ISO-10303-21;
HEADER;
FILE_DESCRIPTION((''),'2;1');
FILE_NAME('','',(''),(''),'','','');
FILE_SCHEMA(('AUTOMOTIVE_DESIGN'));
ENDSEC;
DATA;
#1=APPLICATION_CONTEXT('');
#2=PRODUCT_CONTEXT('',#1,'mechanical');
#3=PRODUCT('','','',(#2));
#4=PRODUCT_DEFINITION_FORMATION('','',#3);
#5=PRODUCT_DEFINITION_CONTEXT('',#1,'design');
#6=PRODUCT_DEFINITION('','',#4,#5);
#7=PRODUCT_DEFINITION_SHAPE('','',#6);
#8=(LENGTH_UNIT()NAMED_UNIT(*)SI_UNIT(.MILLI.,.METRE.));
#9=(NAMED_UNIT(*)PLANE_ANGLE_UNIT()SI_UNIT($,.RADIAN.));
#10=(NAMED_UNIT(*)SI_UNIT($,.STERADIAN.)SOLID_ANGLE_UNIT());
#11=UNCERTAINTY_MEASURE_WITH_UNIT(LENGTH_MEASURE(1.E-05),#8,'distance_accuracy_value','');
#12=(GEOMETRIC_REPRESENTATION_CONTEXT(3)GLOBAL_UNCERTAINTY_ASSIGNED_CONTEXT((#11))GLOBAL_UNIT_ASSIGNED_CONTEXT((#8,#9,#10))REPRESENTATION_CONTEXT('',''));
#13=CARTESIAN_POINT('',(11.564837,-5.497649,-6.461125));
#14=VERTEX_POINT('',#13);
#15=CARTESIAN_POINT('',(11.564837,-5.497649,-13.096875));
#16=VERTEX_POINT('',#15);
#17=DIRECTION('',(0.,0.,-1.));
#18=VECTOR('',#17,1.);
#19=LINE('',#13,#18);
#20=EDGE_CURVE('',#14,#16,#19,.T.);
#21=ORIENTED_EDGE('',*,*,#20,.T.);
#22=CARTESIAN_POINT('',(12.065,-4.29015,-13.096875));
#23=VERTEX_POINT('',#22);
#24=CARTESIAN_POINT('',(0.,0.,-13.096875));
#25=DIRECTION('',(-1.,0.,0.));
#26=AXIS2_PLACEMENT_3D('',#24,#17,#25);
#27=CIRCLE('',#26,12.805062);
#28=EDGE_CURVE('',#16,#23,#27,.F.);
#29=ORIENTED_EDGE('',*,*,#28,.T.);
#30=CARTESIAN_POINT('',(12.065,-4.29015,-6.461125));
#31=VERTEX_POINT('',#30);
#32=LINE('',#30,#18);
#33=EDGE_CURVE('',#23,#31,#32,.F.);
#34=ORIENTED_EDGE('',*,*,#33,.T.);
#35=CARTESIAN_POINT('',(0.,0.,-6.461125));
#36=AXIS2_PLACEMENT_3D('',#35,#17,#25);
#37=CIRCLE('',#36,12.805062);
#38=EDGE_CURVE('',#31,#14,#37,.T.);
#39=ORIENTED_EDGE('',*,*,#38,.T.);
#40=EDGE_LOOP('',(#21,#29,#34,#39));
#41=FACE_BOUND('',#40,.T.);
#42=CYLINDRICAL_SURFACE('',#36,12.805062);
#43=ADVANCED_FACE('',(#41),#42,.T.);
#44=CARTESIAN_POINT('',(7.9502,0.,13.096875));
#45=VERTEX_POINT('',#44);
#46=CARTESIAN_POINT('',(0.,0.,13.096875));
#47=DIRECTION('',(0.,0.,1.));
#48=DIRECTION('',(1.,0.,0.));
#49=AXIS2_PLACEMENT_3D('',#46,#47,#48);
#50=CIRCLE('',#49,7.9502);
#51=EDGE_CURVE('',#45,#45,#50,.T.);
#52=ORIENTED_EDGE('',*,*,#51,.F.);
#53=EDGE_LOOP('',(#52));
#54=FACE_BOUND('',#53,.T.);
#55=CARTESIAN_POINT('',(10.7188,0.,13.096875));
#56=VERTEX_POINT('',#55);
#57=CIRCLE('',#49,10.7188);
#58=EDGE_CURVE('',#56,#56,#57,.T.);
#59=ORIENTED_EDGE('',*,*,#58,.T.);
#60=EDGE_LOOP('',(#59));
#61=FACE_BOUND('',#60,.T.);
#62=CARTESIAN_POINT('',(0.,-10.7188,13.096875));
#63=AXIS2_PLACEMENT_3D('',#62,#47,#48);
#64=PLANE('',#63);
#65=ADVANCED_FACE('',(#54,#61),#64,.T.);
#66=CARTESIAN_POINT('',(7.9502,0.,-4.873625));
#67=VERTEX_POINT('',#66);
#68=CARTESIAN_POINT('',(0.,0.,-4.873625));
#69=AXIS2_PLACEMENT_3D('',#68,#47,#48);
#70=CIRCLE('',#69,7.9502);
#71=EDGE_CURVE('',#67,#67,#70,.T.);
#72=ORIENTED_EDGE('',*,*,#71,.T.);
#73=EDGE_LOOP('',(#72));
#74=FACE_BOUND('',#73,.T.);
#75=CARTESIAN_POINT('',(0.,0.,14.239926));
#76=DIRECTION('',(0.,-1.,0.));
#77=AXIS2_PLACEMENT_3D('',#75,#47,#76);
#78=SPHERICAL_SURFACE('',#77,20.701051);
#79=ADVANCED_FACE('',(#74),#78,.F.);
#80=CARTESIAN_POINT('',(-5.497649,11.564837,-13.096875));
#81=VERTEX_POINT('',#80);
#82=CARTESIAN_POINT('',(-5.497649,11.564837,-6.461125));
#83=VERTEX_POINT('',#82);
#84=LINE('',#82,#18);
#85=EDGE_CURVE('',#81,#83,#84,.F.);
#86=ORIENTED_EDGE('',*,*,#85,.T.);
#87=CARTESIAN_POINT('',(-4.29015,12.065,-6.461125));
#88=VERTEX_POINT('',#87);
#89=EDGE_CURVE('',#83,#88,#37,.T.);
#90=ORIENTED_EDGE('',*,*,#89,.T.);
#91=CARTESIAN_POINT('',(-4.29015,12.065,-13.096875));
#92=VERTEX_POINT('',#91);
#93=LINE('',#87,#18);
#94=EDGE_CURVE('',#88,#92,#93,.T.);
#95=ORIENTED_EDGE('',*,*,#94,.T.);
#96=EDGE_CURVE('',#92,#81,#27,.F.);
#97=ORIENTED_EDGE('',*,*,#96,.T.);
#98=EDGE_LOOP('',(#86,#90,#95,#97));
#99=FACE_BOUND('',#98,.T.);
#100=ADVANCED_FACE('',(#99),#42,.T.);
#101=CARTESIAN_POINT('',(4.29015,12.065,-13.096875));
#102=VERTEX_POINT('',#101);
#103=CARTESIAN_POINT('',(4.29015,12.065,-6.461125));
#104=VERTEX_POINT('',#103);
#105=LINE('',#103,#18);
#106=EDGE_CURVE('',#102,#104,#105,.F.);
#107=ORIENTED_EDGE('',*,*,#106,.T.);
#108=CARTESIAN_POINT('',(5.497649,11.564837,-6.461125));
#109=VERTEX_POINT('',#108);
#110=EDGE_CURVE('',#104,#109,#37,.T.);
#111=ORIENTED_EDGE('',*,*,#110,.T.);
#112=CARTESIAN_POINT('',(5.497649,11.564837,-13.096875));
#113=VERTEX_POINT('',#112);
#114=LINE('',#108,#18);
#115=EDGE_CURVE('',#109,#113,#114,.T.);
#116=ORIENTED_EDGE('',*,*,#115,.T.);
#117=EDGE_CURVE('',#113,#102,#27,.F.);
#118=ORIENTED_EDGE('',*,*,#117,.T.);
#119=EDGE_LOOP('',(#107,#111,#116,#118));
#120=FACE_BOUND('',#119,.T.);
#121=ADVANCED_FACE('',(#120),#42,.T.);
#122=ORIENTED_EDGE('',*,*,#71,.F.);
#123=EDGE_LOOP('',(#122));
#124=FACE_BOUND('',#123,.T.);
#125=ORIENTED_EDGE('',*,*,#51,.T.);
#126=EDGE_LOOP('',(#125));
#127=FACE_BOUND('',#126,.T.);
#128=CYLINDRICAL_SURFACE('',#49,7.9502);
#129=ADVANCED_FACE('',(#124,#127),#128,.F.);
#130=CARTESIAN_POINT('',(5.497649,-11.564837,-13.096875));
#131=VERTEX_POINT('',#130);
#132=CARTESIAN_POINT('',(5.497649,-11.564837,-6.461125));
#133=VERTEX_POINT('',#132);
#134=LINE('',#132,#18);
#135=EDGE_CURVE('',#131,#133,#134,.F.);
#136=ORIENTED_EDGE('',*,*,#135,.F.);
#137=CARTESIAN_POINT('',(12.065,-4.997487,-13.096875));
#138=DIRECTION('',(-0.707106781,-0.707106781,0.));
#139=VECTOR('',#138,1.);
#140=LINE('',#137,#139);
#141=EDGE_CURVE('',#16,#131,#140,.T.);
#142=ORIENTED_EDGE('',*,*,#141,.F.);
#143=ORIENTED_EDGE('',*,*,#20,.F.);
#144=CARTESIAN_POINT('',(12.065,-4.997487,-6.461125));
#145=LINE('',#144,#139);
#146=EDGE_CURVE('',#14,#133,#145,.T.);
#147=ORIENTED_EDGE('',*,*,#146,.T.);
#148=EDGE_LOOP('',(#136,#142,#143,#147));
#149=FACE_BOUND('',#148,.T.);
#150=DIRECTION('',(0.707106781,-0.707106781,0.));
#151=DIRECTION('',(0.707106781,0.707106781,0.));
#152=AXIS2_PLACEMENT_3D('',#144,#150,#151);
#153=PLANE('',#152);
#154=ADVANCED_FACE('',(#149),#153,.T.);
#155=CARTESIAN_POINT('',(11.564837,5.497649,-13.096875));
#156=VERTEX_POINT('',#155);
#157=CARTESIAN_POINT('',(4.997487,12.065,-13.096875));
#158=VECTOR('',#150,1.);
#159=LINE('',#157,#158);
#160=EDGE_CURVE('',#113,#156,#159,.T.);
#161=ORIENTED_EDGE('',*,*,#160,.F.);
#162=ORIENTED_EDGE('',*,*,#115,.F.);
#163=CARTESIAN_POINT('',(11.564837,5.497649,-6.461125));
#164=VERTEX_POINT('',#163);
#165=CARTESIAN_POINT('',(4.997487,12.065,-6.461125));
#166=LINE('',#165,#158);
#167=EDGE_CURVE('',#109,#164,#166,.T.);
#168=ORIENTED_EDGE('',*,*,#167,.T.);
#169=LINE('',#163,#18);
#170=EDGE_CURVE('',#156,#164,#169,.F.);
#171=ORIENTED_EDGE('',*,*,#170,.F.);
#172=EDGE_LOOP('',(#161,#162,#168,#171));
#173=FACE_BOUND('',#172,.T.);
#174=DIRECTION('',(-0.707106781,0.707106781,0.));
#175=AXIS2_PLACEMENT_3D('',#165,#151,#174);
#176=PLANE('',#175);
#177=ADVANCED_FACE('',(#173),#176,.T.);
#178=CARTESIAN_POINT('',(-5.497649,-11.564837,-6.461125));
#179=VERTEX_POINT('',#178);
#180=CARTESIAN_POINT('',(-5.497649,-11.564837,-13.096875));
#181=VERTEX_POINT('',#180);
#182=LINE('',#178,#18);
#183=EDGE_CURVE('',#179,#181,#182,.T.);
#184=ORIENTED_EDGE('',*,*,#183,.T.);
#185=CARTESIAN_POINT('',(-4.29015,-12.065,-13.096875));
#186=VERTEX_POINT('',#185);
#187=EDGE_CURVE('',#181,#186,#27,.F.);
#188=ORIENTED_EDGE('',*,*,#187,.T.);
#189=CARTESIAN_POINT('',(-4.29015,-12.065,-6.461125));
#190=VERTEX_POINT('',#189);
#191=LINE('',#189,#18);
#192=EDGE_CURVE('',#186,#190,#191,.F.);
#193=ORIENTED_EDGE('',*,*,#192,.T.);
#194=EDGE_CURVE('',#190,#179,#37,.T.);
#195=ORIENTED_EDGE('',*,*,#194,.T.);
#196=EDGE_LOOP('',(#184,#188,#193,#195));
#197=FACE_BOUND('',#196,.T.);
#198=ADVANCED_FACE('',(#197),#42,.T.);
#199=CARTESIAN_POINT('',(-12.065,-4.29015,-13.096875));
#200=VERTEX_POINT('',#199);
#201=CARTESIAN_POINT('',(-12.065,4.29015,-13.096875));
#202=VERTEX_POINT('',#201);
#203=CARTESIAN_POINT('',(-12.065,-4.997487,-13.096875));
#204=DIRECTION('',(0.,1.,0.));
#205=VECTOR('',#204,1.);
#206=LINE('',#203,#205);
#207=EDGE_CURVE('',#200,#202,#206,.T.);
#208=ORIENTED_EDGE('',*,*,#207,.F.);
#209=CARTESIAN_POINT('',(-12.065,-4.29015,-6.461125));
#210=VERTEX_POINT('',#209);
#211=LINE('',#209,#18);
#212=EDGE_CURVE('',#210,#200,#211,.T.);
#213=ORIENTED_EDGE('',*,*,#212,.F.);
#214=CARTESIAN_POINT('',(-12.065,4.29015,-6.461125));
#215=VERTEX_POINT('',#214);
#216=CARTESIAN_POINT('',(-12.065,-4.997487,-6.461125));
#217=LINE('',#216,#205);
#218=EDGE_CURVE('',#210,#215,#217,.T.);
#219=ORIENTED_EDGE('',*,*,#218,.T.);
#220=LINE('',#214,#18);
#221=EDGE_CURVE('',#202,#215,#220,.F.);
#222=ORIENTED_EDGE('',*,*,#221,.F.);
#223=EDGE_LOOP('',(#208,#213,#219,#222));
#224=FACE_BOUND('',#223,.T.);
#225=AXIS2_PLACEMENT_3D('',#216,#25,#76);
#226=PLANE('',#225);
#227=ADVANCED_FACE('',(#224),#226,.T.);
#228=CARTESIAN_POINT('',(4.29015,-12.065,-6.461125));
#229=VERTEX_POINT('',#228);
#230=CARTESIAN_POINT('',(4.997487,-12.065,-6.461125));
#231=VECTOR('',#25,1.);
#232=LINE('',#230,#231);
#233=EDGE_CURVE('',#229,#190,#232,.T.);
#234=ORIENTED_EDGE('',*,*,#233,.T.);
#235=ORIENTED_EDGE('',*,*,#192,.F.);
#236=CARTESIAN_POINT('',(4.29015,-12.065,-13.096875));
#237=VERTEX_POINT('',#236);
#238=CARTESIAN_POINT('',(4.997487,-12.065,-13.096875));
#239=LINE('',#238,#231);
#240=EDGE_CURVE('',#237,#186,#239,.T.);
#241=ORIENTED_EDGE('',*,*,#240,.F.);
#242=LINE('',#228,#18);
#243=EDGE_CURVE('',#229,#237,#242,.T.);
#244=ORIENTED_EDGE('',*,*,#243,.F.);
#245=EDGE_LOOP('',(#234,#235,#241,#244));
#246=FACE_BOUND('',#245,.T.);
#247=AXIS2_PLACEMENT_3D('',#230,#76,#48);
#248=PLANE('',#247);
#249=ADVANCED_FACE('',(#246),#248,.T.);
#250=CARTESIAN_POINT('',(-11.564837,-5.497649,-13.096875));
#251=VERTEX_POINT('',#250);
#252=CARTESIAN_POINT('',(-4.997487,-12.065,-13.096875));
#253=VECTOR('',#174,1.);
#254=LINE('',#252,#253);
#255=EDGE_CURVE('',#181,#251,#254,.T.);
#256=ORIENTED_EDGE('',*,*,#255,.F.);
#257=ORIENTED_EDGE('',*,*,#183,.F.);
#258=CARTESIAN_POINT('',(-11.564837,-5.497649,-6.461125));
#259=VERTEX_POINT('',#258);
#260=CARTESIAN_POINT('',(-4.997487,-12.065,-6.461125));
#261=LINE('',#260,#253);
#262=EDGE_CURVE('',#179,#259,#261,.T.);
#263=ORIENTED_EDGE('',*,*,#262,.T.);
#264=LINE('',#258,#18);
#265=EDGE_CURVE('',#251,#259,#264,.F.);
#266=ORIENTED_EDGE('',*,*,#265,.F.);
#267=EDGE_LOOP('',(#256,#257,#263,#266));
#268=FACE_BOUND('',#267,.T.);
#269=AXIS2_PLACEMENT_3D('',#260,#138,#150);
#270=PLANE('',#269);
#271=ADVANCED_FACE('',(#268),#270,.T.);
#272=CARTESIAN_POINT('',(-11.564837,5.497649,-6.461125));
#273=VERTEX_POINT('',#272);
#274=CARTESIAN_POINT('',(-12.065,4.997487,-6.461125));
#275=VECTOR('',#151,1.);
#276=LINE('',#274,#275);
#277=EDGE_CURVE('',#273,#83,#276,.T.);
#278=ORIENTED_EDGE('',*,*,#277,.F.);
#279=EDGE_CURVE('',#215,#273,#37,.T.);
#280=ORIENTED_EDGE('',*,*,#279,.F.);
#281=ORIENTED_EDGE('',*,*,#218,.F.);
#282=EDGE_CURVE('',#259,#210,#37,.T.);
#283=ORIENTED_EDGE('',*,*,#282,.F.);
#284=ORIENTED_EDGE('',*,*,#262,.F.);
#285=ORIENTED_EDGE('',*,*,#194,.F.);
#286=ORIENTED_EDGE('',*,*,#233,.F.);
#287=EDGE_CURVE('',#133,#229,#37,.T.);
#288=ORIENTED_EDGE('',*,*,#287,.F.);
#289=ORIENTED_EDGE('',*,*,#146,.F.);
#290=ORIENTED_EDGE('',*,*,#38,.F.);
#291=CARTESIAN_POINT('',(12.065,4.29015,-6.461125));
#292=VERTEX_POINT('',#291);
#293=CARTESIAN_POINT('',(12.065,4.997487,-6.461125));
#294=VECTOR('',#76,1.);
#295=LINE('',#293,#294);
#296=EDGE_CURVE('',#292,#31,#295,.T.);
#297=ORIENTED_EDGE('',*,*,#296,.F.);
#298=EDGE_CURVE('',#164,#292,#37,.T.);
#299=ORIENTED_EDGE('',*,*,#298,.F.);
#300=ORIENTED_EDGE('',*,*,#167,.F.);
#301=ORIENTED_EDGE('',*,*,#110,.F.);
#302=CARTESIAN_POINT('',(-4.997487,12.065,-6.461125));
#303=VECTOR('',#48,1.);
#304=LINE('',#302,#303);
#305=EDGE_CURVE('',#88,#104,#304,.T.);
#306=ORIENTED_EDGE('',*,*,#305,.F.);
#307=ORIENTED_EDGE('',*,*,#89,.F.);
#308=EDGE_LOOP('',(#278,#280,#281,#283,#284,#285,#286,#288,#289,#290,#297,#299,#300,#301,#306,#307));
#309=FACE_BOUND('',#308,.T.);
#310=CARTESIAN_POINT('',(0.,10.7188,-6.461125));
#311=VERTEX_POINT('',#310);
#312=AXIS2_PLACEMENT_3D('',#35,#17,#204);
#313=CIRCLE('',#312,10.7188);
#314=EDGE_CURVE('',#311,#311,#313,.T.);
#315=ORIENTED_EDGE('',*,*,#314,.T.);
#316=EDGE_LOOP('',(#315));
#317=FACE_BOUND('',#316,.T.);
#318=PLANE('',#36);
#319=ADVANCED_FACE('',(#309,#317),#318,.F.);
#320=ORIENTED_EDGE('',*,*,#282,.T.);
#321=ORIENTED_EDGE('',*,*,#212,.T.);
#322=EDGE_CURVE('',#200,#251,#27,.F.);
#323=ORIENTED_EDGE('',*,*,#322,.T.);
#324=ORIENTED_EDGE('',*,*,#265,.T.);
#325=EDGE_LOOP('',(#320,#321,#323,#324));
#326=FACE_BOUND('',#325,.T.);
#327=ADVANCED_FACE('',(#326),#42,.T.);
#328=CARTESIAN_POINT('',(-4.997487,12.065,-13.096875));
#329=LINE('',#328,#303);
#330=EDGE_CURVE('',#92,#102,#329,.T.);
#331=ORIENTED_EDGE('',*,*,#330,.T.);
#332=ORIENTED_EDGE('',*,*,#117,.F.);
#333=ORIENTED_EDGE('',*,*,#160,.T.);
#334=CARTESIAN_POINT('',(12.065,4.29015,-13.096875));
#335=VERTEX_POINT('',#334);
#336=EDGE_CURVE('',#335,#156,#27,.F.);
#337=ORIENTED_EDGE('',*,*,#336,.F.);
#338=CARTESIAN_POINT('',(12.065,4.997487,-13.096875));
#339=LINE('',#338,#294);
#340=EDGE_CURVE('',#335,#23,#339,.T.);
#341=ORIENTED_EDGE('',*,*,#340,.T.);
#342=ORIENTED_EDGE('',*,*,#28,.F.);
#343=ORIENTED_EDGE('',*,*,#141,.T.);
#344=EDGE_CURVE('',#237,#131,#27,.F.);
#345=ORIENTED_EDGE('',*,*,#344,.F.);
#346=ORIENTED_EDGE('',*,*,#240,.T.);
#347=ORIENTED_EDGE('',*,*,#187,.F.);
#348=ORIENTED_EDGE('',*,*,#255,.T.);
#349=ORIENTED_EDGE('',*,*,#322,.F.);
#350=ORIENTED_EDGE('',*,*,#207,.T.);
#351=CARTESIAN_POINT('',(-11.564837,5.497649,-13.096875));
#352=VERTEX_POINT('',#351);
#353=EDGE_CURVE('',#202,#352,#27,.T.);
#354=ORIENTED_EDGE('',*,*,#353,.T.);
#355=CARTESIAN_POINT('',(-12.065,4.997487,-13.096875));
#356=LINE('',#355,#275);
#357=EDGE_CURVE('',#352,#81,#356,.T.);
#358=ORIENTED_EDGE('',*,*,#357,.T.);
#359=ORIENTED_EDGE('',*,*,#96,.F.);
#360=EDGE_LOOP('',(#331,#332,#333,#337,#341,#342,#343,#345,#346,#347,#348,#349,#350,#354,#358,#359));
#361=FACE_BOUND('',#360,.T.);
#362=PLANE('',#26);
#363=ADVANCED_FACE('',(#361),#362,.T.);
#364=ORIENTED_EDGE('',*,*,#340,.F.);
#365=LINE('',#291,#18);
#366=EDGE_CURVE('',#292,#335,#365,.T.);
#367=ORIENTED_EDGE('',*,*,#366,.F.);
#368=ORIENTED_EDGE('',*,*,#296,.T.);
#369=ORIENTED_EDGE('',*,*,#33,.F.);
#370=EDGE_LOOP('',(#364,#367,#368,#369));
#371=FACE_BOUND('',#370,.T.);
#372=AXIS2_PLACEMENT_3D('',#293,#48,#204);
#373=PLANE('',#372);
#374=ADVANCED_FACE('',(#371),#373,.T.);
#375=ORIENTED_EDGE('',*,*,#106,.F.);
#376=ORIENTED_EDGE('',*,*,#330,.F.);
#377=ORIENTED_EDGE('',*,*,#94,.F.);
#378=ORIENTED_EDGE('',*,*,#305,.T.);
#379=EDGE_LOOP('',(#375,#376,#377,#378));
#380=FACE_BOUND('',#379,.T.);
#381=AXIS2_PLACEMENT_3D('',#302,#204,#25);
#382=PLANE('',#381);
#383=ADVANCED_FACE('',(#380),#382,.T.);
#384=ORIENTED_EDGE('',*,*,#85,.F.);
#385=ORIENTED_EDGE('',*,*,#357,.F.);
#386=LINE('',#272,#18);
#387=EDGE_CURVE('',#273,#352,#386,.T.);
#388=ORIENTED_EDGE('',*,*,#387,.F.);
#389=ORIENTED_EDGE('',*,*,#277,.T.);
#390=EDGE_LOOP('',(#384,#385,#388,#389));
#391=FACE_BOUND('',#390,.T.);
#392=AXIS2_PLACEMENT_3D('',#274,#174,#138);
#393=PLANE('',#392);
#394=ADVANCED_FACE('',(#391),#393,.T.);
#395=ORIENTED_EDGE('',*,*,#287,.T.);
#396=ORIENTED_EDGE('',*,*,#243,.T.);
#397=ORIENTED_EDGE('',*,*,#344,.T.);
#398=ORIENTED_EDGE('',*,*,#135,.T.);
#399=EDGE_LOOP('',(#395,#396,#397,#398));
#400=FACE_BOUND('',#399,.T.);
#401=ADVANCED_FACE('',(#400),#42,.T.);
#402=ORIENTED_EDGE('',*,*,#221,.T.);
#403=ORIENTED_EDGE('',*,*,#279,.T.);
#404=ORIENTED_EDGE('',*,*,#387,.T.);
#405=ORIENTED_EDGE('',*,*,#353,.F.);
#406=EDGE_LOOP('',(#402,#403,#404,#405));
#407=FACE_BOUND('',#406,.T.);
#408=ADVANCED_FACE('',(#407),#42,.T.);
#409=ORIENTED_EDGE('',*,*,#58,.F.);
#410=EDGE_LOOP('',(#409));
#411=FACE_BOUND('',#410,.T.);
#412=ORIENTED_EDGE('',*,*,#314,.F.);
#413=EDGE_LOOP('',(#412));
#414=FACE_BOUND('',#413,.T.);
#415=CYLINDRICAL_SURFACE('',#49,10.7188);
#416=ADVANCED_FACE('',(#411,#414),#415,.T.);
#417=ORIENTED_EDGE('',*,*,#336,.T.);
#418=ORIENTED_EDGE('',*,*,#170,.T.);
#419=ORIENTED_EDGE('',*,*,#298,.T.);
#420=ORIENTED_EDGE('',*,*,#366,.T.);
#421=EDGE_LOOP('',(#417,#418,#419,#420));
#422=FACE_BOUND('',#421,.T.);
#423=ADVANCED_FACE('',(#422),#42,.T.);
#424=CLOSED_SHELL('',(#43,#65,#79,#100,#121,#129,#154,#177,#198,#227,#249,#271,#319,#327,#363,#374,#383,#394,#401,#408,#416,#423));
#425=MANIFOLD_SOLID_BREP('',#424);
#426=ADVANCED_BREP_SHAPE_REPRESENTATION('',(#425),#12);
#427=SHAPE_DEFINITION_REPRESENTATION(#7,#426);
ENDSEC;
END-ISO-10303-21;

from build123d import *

# Parameters (mm, degrees)
SKETCH4_R           = 10.7188
BOSS_EXTRUDE1_DEPTH = 6.63575
SKETCH5_W           = 6.63575
SKETCH5_H           = 0.254


with BuildPart() as part:
    # Sketch3 → Revolve1 (revolve)
    with BuildSketch(Plane(origin=(0, 0, 0), x_dir=(0, 0, -1), z_dir=(1, 0, 0))):
        with BuildLine():
            Line((6.461125, 0), (13.096875, 0))
            Line((13.096875, 0), (13.096875, -10.7188))
            Line((13.096875, -10.7188), (-13.096875, -10.7188))
            Line((-13.096875, -10.7188), (-13.096875, -7.9502))
            Line((-13.096875, -7.9502), (4.873625, -7.9502))
            ThreePointArc((4.873625, -7.9502), (6.060370876, -4.053573618), (6.461125, 0))
        make_face()
    revolve(axis=Axis((0, 0, 13.096875), (0, 0, -1)))

    # Sketch4 → Boss-Extrude1 (add)
    with BuildSketch(Plane(origin=(0, 0, -13.096875), x_dir=(-1, 0, 0), z_dir=(0, 0, -1))):
        Polygon((4.99748663, 12.065), (-4.99748663, 12.065), (-12.065, 4.99748663), (-12.065, -4.99748663), (-4.99748663, -12.065), (4.99748663, -12.065), (12.065, -4.99748663), (12.065, 4.99748663), align=None)
        Circle(SKETCH4_R, mode=Mode.SUBTRACT)
    extrude(amount=-BOSS_EXTRUDE1_DEPTH)

    # Sketch5 → Cut-Revolve1 (revolve, cut)
    with BuildSketch(Plane(origin=(0, 0, 0), x_dir=(0, 0, -1), z_dir=(0.923879533, -0.382683432, 0))):
        with Locations((9.779, 12.932061897)):
            Rectangle(SKETCH5_W, SKETCH5_H)
    revolve(axis=Axis((0, 0, 13.096875), (0, 0, 1)), mode=Mode.SUBTRACT)


solid = part.part
